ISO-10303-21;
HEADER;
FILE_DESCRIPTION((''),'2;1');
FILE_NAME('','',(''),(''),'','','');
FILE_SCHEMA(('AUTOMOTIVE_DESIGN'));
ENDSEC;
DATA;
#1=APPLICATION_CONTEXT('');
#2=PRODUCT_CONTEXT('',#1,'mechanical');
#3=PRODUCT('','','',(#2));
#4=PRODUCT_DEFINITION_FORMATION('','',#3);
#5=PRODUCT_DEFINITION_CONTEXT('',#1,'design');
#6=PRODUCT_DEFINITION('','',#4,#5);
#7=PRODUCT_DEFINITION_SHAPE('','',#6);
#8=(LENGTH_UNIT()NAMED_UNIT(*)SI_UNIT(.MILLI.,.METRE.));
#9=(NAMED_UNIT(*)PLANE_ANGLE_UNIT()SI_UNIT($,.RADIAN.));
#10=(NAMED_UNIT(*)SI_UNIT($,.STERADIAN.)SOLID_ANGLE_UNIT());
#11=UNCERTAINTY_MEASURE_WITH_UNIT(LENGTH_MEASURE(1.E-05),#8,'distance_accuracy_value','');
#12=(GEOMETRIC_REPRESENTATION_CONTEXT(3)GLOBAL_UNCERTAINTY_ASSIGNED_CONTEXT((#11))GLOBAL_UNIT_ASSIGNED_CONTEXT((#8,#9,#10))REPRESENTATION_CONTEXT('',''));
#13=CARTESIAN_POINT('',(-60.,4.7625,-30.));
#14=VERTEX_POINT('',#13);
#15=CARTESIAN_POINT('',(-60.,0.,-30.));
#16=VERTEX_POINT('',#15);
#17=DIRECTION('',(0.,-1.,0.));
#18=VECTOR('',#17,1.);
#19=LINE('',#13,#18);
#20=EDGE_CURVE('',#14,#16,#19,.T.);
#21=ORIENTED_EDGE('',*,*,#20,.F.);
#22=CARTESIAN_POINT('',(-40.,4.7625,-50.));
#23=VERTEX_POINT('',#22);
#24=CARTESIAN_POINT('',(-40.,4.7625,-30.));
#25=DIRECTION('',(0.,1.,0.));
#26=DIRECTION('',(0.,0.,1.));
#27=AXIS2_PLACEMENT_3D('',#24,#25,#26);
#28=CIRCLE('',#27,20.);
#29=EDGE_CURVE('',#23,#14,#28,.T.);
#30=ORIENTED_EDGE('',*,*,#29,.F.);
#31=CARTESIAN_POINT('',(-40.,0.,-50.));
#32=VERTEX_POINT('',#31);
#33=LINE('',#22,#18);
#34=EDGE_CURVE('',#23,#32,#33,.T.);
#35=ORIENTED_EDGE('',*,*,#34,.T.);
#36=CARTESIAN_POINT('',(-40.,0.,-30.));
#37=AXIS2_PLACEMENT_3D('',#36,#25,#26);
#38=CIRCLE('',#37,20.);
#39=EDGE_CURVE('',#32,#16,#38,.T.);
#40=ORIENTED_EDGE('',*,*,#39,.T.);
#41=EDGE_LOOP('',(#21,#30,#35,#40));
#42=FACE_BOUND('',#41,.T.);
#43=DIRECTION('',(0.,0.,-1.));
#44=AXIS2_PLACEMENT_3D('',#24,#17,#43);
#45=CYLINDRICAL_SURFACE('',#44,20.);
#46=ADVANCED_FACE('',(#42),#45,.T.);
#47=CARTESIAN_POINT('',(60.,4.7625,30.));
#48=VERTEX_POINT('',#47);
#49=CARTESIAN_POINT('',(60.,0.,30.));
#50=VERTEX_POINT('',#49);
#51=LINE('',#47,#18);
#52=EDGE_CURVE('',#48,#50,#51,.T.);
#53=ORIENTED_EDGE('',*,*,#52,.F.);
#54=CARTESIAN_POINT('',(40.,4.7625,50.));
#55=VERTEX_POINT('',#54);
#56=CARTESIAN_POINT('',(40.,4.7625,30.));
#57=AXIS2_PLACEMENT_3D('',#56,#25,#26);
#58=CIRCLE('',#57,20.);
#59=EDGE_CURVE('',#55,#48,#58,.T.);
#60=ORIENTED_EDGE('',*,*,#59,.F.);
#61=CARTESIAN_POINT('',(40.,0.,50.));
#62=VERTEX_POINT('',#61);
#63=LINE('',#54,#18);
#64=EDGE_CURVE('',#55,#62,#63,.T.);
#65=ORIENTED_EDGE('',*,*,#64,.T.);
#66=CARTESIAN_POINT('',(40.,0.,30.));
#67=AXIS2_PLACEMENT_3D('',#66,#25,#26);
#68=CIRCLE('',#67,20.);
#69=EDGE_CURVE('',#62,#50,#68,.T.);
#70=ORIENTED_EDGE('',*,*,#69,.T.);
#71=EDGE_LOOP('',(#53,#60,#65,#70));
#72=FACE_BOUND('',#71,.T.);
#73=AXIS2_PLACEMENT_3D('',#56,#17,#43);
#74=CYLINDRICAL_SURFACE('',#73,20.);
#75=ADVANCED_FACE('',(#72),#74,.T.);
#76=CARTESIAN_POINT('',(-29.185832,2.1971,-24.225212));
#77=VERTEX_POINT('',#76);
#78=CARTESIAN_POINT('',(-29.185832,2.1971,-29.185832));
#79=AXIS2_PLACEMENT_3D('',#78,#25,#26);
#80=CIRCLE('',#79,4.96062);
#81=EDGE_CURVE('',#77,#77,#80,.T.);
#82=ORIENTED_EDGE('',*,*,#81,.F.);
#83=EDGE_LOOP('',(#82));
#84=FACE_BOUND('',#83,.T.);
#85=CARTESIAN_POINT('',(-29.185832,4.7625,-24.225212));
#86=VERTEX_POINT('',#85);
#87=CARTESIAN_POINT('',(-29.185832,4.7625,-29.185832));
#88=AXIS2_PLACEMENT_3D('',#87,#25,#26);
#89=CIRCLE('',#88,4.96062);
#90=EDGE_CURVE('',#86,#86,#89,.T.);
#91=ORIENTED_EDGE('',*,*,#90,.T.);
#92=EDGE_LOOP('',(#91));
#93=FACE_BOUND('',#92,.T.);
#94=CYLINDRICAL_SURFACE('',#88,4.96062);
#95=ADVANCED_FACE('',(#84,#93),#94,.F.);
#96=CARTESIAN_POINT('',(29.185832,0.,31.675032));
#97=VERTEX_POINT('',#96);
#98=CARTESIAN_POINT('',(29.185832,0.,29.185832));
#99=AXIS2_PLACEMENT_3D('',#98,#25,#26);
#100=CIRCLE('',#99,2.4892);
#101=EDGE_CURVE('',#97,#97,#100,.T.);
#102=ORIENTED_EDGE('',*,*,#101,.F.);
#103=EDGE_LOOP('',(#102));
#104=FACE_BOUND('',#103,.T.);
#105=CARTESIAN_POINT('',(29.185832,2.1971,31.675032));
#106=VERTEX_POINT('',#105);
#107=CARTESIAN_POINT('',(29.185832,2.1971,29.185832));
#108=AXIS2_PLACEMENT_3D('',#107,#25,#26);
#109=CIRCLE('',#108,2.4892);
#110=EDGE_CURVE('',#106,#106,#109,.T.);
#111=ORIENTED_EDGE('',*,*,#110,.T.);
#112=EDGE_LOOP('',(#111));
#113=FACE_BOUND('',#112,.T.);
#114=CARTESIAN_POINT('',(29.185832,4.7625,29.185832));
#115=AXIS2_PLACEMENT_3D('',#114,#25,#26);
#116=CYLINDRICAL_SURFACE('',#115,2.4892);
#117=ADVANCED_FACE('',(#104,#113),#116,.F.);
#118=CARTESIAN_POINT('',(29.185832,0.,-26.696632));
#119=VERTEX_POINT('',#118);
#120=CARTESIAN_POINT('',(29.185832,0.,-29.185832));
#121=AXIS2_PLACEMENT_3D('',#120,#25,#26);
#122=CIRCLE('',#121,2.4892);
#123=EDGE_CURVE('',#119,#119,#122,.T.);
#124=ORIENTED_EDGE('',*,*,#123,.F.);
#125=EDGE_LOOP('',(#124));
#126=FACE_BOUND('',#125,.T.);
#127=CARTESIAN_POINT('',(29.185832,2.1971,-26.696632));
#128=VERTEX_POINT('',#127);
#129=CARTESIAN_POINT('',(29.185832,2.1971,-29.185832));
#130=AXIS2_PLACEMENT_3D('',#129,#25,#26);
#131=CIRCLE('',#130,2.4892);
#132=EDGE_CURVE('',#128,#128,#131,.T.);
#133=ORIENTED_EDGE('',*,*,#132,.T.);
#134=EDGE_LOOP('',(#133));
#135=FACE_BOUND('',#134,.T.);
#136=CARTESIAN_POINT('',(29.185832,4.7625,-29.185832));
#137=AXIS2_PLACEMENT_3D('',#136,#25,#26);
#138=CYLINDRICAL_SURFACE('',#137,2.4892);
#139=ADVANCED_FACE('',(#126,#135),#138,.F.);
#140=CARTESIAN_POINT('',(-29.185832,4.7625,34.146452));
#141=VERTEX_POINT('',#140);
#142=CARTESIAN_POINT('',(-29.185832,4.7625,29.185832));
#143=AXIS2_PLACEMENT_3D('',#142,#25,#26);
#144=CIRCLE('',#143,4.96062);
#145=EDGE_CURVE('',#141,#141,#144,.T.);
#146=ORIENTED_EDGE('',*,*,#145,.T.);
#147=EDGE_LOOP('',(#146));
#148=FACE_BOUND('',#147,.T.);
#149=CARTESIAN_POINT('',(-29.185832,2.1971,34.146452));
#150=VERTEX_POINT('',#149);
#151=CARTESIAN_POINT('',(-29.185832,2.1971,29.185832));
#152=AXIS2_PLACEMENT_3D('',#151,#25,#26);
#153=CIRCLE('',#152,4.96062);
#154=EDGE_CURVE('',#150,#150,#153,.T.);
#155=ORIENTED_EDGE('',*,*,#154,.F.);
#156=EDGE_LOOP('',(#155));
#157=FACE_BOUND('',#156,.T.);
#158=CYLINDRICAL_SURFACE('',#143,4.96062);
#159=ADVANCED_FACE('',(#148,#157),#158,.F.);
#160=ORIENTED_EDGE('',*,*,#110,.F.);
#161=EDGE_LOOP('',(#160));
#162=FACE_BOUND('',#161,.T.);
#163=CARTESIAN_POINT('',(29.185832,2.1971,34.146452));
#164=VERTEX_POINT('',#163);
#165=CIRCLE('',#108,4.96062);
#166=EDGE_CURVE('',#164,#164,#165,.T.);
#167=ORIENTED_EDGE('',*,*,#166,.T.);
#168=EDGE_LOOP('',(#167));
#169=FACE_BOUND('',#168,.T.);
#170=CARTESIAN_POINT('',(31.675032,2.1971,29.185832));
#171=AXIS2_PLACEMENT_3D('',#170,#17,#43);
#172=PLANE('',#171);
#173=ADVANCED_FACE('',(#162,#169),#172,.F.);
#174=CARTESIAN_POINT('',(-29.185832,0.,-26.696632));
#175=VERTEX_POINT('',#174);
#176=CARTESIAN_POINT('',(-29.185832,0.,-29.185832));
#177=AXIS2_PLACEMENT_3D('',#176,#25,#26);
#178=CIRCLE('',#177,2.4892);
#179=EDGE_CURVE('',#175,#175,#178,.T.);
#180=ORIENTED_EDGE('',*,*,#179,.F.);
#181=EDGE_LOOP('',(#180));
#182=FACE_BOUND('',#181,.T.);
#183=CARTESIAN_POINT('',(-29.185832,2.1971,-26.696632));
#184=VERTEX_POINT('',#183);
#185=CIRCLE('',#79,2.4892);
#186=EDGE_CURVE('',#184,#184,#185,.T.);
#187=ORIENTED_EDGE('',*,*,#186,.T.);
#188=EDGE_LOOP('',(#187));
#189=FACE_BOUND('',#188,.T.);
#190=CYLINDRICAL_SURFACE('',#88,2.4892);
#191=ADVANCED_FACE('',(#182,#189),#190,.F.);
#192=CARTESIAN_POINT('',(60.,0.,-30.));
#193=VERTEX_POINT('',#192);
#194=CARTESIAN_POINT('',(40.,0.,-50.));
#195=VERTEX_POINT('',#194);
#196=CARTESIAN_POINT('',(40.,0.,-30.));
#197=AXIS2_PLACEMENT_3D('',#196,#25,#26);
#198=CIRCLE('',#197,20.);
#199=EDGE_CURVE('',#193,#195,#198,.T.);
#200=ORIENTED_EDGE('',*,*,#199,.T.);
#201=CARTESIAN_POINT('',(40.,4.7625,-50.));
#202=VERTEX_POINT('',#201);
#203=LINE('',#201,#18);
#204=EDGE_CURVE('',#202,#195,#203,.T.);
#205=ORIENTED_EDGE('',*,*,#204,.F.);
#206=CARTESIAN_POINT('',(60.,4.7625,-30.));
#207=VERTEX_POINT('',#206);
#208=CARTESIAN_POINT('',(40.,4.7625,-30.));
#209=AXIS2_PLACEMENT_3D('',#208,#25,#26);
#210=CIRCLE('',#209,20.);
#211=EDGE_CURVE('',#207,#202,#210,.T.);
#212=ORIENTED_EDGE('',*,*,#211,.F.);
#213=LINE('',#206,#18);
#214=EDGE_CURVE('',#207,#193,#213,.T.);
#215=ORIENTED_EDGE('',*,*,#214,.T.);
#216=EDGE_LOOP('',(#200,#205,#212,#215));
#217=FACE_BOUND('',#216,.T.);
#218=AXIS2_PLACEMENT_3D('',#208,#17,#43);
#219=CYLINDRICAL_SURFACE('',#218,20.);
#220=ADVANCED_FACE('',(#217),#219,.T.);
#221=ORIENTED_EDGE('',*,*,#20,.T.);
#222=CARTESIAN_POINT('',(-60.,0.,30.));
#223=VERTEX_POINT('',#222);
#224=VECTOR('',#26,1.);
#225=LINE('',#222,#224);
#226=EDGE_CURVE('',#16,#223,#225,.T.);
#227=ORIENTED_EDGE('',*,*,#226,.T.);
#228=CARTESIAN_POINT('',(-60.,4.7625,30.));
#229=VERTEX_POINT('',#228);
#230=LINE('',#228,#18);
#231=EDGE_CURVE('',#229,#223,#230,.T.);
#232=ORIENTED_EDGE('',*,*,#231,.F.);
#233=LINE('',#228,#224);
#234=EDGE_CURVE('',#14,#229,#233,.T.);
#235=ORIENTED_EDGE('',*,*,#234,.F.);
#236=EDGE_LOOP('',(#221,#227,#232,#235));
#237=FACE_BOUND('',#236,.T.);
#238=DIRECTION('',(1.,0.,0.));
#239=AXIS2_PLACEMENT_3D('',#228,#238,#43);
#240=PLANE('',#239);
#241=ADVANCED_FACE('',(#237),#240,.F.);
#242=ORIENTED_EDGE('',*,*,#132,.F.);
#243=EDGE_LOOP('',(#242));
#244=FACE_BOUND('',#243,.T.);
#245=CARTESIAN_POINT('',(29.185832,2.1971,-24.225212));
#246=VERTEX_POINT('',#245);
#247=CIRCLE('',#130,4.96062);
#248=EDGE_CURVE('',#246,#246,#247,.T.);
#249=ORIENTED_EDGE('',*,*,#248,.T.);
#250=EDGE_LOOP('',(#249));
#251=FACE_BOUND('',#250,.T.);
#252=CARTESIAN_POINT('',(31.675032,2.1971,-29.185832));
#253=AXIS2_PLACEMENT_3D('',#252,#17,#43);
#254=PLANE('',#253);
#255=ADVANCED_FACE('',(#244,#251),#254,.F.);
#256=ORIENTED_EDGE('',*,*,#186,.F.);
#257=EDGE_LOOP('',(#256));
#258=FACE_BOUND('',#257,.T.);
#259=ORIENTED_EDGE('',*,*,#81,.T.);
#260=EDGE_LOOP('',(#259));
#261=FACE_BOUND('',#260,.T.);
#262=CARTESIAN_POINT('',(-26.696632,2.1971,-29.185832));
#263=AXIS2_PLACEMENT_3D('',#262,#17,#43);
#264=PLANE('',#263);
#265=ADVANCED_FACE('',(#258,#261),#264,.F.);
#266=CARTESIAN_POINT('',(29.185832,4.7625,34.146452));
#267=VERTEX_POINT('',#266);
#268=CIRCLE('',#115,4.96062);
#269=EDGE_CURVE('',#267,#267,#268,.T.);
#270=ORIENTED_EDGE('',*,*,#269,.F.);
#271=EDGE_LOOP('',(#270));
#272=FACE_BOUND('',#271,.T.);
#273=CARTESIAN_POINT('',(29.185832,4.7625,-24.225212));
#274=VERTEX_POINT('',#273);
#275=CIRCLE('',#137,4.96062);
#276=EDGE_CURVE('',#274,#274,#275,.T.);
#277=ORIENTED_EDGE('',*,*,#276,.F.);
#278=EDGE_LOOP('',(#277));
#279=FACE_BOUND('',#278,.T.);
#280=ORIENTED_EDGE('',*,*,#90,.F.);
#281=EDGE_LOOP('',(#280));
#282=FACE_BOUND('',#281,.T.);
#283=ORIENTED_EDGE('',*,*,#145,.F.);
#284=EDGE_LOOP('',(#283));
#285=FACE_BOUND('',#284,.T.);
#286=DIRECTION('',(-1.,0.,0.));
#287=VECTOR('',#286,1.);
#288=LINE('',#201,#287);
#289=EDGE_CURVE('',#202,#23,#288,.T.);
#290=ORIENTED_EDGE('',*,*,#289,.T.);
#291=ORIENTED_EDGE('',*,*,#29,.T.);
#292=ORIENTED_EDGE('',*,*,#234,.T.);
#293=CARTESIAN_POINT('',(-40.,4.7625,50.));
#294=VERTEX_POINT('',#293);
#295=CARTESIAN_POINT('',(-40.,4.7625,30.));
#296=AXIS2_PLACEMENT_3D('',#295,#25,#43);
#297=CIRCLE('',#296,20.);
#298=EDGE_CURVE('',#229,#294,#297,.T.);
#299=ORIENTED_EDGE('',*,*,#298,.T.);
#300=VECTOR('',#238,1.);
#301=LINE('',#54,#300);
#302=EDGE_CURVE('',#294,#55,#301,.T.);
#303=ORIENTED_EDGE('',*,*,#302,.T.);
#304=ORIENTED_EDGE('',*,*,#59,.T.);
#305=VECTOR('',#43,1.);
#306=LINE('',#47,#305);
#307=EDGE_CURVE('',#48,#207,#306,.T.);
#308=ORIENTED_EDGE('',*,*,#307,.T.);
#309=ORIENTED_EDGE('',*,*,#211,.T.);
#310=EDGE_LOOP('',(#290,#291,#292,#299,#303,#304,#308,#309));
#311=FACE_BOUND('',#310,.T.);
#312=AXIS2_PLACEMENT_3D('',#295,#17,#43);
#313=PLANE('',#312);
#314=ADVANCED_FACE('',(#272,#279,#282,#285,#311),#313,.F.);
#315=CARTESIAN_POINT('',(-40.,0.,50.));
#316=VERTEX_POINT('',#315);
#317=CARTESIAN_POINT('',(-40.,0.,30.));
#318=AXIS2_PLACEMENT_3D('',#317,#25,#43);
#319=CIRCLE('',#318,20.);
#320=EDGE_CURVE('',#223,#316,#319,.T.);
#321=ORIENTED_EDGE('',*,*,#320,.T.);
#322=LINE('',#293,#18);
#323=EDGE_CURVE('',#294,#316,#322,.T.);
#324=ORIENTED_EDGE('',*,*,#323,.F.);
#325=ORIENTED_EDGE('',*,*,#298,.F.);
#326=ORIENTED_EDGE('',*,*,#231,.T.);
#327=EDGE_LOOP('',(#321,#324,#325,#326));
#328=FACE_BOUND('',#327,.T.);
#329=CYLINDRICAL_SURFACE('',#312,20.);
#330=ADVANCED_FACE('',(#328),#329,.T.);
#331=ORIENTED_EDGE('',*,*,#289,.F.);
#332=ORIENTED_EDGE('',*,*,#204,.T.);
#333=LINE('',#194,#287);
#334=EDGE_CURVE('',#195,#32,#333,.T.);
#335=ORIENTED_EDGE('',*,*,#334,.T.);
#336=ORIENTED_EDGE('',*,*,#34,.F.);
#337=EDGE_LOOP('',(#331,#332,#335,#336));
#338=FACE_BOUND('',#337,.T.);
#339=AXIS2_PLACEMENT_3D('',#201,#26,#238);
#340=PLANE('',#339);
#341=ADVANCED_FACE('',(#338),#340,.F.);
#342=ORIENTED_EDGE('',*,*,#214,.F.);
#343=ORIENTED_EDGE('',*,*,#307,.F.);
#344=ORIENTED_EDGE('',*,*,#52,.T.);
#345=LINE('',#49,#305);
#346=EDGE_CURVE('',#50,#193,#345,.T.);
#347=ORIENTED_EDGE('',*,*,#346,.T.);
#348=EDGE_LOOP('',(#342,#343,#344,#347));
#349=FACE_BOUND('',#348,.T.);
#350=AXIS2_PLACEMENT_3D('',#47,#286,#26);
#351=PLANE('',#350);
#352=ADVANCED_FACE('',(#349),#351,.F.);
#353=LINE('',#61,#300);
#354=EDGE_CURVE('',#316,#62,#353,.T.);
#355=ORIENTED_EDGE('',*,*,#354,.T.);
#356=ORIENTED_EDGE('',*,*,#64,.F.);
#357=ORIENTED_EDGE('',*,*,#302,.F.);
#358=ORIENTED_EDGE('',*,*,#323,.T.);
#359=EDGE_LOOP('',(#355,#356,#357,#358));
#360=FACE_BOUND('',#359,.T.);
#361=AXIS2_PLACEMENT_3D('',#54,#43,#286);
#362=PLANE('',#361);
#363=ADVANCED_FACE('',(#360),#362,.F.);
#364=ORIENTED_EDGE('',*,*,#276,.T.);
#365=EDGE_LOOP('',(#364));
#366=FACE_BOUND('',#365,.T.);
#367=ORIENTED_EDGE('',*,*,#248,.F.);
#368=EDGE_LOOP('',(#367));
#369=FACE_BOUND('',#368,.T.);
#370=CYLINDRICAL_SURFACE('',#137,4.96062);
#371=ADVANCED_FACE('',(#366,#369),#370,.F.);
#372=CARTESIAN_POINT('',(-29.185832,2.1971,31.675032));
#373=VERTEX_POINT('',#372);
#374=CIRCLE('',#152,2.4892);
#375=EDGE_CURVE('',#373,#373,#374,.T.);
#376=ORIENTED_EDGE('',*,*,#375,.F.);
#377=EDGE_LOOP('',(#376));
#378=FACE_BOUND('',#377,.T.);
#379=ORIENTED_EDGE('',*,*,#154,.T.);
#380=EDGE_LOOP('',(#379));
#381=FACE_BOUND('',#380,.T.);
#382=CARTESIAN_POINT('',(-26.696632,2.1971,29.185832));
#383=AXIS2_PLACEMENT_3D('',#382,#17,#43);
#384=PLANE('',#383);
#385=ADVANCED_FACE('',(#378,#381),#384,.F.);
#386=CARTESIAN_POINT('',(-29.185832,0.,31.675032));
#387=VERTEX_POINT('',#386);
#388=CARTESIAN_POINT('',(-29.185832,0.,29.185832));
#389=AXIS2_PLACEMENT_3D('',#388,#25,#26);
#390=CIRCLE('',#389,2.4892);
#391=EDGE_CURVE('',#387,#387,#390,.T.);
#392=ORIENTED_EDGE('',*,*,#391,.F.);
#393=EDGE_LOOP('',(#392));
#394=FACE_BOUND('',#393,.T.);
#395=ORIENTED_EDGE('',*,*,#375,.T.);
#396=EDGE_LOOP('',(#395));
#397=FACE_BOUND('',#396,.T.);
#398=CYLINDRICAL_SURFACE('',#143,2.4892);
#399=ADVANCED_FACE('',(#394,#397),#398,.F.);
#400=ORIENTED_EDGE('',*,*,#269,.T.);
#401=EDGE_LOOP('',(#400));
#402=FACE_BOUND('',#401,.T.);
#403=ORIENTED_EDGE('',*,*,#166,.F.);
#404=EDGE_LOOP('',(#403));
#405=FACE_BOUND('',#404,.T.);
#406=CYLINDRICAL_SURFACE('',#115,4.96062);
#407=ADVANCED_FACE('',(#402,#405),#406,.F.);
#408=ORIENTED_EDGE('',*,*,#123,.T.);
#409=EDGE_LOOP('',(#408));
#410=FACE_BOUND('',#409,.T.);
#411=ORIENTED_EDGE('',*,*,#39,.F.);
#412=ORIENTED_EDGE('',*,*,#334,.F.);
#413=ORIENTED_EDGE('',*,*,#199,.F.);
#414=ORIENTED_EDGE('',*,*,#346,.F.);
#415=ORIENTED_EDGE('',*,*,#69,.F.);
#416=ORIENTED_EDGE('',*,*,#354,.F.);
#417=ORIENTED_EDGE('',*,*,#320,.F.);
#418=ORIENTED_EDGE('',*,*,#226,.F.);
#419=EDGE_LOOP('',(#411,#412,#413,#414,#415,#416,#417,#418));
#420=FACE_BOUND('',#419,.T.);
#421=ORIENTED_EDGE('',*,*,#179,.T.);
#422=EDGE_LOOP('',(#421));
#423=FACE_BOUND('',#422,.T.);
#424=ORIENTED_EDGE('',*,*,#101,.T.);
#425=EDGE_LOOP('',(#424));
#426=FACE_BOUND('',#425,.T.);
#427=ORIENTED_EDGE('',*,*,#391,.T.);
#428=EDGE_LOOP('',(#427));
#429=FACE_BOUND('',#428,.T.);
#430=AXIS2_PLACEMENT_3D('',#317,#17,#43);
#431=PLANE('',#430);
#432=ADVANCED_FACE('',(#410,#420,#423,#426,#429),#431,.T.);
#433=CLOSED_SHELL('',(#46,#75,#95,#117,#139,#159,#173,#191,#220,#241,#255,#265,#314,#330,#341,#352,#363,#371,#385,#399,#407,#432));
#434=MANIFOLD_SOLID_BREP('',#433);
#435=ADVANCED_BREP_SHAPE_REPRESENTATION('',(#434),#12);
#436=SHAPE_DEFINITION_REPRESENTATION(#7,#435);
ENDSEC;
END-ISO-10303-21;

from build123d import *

# Parameters (mm, degrees)
BOSS_EXTRUDE1_DEPTH                             = 4.7625
CBORE_FOR_10_BUTTON_HEAD_CAP_SCREW1_D           = 4.9784
CBORE_FOR_10_BUTTON_HEAD_CAP_SCREW1_CBORE_D     = 9.92124
CBORE_FOR_10_BUTTON_HEAD_CAP_SCREW1_CBORE_DEPTH = 2.5654


with BuildPart() as part:
    # Sketch1 → Boss-Extrude1 (new body)
    with BuildSketch(Plane(origin=(0, 0, 0), x_dir=(1, 0, 0), z_dir=(0, 1, 0))):
        with BuildLine():
            Line((40, -50), (-40, -50))
            ThreePointArc((-40, -50), (-54.142135624, -44.142135624), (-60, -30))
            Line((-60, -30), (-60, 30))
            ThreePointArc((-60, 30), (-54.142135624, 44.142135624), (-40, 50))
            Line((-40, 50), (40, 50))
            ThreePointArc((40, 50), (54.142135624, 44.142135624), (60, 30))
            Line((60, 30), (60, -30))
            ThreePointArc((60, -30), (54.142135624, -44.142135624), (40, -50))
        make_face()
    extrude(amount=BOSS_EXTRUDE1_DEPTH)

    # CBORE for #10 Button Head Cap Screw1 (through all)
    with Locations(Plane(origin=(0, 4.7625, 0), x_dir=(1, 0, 0), z_dir=(0, 1, 0))):
        with Locations((29.185832393, 29.185832393), (29.185832393, -29.185832393), (-29.185832393, -29.185832393), (-29.185832393, 29.185832393)):
            CounterBoreHole(CBORE_FOR_10_BUTTON_HEAD_CAP_SCREW1_D / 2, CBORE_FOR_10_BUTTON_HEAD_CAP_SCREW1_CBORE_D / 2, CBORE_FOR_10_BUTTON_HEAD_CAP_SCREW1_CBORE_DEPTH)


solid = part.part
